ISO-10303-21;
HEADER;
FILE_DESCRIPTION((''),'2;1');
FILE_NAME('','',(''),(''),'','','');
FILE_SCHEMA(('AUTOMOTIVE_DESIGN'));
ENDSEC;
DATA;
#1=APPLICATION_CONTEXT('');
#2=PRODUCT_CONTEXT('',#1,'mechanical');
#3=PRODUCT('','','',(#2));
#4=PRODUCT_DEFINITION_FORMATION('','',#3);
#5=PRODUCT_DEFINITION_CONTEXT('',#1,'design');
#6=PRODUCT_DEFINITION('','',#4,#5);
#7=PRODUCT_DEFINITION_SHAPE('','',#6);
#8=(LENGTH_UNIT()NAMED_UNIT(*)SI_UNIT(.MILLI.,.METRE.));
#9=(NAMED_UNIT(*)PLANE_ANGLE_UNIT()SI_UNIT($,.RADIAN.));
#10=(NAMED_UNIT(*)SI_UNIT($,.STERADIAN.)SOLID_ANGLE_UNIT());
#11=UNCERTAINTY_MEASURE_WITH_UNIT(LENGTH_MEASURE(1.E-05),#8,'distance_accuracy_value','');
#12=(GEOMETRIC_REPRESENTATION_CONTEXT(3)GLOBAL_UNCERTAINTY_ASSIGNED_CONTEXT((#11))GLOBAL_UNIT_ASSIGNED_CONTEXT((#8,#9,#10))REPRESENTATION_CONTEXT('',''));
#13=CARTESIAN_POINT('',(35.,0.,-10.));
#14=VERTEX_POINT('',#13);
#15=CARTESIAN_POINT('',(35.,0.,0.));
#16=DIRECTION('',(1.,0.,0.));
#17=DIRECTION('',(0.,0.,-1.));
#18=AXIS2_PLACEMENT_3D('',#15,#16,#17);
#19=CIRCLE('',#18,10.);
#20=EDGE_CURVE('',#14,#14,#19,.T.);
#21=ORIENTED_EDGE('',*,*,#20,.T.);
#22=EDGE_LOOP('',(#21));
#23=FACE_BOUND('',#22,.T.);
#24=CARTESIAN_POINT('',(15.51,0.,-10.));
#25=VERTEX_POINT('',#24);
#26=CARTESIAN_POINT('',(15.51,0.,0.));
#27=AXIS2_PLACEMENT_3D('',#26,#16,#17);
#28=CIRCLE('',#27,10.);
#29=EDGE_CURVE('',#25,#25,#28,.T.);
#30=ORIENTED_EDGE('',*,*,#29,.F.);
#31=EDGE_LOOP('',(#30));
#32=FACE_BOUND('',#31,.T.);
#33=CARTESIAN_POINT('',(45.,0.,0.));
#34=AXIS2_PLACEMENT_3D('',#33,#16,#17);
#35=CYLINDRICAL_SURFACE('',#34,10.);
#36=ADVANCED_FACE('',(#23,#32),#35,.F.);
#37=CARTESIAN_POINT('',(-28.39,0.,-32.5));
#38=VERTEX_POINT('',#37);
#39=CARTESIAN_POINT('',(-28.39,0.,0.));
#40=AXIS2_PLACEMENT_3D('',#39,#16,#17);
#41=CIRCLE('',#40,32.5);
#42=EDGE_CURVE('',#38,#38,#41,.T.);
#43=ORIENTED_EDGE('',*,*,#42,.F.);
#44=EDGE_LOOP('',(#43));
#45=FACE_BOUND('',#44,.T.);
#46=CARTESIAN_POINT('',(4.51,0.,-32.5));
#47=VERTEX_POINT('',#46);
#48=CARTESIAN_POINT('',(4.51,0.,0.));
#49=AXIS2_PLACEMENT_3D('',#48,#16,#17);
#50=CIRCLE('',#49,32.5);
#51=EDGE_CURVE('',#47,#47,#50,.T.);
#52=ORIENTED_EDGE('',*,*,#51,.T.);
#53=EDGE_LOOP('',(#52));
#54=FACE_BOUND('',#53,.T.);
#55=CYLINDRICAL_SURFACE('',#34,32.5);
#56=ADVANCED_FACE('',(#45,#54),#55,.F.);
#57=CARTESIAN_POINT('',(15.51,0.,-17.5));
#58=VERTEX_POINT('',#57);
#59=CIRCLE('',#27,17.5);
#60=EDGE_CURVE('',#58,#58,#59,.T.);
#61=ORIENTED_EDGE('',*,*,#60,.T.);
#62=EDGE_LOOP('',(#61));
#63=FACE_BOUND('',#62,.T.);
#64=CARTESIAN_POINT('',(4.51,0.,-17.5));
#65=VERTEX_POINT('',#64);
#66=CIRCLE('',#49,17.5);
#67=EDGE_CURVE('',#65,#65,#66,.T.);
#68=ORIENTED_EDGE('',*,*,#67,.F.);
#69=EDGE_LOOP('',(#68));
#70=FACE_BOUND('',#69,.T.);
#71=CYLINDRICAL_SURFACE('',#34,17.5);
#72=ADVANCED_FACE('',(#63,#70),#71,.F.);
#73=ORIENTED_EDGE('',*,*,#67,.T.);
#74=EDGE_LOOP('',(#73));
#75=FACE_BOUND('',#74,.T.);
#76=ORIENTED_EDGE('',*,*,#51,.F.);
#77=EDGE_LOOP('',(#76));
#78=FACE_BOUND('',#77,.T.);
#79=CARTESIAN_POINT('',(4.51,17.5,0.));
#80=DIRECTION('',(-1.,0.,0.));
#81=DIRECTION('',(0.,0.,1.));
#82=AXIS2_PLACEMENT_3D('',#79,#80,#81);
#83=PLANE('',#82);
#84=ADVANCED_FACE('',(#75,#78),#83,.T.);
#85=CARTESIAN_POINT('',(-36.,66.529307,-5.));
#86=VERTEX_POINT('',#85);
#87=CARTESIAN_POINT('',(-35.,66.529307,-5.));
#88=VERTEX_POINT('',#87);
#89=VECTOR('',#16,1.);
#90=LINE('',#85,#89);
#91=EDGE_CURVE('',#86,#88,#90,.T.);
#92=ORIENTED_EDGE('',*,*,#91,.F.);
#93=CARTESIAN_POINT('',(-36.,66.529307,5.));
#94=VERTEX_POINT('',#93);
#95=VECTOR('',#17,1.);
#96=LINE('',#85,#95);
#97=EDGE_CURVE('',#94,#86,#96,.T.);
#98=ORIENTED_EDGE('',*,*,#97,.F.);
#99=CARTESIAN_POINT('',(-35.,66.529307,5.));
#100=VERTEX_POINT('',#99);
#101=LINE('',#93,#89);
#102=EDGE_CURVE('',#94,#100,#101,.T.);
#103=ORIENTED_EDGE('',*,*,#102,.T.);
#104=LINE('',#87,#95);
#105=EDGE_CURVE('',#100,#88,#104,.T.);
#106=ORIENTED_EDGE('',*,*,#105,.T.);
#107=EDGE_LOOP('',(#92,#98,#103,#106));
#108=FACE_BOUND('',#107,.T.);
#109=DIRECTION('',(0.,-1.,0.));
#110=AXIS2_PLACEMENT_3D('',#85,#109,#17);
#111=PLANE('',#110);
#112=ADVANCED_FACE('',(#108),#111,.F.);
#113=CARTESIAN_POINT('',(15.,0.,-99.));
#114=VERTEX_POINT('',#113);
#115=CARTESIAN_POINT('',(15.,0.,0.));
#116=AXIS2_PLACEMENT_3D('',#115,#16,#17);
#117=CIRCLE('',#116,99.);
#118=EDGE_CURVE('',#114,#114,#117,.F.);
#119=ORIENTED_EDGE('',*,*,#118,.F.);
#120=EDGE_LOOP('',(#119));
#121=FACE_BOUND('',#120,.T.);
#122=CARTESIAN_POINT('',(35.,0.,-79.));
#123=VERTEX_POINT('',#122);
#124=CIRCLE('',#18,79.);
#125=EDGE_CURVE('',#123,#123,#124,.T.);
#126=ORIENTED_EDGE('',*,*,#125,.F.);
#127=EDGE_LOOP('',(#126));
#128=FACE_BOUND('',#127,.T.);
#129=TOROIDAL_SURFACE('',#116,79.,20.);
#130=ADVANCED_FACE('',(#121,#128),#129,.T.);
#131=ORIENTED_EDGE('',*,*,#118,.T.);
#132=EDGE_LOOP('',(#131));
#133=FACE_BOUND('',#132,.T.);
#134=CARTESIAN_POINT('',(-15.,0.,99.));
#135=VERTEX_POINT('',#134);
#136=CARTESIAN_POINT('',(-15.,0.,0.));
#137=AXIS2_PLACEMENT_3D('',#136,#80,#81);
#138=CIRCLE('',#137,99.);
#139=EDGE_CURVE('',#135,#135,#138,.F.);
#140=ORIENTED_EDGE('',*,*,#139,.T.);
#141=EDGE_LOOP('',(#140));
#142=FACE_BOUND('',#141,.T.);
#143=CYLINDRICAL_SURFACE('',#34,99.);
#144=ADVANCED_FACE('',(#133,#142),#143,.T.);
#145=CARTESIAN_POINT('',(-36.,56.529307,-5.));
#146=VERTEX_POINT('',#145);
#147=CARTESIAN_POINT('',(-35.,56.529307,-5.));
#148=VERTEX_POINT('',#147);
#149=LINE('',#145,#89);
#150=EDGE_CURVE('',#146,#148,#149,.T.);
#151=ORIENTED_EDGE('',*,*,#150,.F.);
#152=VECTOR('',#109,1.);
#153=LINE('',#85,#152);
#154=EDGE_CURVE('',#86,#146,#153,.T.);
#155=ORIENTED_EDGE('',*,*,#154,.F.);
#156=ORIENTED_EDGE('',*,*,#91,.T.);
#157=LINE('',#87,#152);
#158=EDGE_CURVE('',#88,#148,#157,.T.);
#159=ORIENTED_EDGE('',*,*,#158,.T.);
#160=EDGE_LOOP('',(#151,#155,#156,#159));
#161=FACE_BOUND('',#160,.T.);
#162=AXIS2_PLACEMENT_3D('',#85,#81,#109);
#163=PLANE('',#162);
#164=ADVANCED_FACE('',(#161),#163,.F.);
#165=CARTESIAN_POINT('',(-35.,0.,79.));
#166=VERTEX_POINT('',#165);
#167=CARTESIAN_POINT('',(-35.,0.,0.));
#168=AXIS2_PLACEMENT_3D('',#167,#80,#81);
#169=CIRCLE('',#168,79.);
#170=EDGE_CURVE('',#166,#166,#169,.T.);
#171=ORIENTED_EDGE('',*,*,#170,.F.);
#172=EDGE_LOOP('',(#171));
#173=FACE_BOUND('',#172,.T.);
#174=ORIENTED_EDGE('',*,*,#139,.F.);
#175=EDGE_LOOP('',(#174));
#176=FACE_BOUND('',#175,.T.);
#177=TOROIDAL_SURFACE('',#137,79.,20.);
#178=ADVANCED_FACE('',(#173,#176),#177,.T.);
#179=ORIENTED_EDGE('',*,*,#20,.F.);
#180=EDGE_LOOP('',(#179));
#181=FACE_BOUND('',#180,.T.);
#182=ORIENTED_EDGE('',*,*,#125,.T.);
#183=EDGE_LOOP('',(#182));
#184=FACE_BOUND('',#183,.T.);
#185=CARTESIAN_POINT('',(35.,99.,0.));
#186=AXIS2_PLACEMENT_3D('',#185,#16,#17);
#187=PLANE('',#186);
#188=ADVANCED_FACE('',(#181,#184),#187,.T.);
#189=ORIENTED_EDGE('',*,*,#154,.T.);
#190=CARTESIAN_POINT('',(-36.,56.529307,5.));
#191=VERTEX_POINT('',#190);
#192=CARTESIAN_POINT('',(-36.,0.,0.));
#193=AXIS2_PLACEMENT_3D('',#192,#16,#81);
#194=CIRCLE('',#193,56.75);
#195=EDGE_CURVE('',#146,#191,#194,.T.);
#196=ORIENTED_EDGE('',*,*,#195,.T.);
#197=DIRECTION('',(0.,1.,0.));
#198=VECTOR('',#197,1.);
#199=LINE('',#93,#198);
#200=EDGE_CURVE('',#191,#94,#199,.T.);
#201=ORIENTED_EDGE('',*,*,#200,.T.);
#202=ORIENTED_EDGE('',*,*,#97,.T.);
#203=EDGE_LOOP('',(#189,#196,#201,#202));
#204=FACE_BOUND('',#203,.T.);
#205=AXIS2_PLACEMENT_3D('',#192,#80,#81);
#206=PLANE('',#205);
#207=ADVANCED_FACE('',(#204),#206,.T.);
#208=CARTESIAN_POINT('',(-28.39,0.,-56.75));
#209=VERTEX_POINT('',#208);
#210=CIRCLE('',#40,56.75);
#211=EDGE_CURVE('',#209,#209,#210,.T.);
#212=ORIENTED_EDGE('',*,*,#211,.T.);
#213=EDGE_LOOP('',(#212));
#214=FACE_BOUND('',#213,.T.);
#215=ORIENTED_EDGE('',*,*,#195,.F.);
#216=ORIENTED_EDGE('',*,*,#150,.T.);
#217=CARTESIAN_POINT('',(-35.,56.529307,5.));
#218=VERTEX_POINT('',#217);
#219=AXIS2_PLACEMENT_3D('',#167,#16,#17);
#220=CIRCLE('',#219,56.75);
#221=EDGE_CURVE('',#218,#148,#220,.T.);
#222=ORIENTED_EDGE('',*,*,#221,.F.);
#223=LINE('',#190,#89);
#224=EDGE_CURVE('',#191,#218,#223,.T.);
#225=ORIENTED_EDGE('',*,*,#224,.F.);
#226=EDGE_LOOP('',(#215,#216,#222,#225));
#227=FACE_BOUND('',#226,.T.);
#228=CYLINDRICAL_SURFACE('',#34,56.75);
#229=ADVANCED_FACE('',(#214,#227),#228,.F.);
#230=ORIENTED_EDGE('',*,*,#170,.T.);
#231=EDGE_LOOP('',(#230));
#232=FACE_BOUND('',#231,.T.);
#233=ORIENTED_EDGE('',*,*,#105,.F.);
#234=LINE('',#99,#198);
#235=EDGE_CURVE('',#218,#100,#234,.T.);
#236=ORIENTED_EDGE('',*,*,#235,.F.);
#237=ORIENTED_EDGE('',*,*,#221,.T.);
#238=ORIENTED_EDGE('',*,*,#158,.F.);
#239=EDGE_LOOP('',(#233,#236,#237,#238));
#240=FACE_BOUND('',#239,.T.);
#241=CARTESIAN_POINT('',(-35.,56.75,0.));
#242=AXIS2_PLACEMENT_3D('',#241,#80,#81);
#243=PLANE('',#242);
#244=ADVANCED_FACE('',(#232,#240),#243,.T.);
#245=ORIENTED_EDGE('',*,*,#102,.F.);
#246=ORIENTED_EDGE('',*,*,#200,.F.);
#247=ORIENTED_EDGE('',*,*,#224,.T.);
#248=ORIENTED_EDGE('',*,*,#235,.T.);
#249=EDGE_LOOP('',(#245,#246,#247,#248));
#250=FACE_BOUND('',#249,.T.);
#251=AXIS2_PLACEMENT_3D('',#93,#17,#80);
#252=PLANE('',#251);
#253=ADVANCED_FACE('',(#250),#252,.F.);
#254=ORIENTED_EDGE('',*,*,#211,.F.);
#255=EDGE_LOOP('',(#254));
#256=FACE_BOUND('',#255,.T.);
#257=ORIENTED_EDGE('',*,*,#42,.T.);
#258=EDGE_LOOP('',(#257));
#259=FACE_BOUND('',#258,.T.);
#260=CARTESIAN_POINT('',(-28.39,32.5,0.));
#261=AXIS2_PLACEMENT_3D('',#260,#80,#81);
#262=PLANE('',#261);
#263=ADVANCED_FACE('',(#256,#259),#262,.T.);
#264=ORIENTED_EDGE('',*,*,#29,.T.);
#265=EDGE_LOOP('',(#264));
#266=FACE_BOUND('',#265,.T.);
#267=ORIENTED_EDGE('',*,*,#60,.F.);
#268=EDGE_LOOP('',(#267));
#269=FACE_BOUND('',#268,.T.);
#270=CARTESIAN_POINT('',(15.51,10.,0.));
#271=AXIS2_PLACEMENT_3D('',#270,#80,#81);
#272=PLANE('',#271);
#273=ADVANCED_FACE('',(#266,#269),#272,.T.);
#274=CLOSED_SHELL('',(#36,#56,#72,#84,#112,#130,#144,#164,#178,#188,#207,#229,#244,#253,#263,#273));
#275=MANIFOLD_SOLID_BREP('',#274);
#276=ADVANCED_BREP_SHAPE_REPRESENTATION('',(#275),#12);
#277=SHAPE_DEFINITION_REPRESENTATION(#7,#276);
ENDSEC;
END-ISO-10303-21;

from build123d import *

# Parameters (mm, degrees)
RACCORDO1_R                  = 20
ESTRUSIONE_ESTRUSIONE1_START = 1
ESTRUSIONE_ESTRUSIONE1_DEPTH = 1


with BuildPart() as part:
    # Schizzo1 → Rivoluzione1 (revolve)
    with BuildSketch(Plane.XY):
        Polygon((-35, 98.99999999999999), (35, 98.99999999999999), (35.000000000000014, 9.999999999999995), (15.510000000000021, 9.999999999999996), (15.51000000000002, 17.499999999999996), (4.510000000000019, 17.499999999999996), (4.510000000000019, 32.49999999999999), (-28.38999999999998, 32.49999999999998), (-28.38999999999998, 56.74999999999999), (-35, 56.74999999999999), align=None)
    revolve(axis=Axis((44.99999999999999, 0, 0), (-1, 0, 0)))

    # Raccordo1
    raccordo1_edges = [part.edges().sort_by_distance(p)[0] for p in [
        (35, -98.99999999999999, -1.212e-14),
        (-35.00000000000001, -98.99999999999999, -1.212e-14),
    ]]
    fillet(raccordo1_edges, radius=RACCORDO1_R)

    # Schizzo2 → Estrusione-Estrusione1 (add)
    with BuildSketch(Plane.ZY.offset(35).offset(ESTRUSIONE_ESTRUSIONE1_START)):
        with BuildLine():
            Line((-5, 66.52930655863382), (5, 66.52930655863382))
            Line((5, 66.52930655863382), (5, 56.52930655863382))
            ThreePointArc((5, 56.52930655863382), (3.47e-15, 56.75000000000001), (-4.999999999999998, 56.52930655863382))
            Line((-4.999999999999998, 56.52930655863382), (-5, 66.52930655863382))
        make_face()
    extrude(amount=-ESTRUSIONE_ESTRUSIONE1_DEPTH)


solid = part.part
